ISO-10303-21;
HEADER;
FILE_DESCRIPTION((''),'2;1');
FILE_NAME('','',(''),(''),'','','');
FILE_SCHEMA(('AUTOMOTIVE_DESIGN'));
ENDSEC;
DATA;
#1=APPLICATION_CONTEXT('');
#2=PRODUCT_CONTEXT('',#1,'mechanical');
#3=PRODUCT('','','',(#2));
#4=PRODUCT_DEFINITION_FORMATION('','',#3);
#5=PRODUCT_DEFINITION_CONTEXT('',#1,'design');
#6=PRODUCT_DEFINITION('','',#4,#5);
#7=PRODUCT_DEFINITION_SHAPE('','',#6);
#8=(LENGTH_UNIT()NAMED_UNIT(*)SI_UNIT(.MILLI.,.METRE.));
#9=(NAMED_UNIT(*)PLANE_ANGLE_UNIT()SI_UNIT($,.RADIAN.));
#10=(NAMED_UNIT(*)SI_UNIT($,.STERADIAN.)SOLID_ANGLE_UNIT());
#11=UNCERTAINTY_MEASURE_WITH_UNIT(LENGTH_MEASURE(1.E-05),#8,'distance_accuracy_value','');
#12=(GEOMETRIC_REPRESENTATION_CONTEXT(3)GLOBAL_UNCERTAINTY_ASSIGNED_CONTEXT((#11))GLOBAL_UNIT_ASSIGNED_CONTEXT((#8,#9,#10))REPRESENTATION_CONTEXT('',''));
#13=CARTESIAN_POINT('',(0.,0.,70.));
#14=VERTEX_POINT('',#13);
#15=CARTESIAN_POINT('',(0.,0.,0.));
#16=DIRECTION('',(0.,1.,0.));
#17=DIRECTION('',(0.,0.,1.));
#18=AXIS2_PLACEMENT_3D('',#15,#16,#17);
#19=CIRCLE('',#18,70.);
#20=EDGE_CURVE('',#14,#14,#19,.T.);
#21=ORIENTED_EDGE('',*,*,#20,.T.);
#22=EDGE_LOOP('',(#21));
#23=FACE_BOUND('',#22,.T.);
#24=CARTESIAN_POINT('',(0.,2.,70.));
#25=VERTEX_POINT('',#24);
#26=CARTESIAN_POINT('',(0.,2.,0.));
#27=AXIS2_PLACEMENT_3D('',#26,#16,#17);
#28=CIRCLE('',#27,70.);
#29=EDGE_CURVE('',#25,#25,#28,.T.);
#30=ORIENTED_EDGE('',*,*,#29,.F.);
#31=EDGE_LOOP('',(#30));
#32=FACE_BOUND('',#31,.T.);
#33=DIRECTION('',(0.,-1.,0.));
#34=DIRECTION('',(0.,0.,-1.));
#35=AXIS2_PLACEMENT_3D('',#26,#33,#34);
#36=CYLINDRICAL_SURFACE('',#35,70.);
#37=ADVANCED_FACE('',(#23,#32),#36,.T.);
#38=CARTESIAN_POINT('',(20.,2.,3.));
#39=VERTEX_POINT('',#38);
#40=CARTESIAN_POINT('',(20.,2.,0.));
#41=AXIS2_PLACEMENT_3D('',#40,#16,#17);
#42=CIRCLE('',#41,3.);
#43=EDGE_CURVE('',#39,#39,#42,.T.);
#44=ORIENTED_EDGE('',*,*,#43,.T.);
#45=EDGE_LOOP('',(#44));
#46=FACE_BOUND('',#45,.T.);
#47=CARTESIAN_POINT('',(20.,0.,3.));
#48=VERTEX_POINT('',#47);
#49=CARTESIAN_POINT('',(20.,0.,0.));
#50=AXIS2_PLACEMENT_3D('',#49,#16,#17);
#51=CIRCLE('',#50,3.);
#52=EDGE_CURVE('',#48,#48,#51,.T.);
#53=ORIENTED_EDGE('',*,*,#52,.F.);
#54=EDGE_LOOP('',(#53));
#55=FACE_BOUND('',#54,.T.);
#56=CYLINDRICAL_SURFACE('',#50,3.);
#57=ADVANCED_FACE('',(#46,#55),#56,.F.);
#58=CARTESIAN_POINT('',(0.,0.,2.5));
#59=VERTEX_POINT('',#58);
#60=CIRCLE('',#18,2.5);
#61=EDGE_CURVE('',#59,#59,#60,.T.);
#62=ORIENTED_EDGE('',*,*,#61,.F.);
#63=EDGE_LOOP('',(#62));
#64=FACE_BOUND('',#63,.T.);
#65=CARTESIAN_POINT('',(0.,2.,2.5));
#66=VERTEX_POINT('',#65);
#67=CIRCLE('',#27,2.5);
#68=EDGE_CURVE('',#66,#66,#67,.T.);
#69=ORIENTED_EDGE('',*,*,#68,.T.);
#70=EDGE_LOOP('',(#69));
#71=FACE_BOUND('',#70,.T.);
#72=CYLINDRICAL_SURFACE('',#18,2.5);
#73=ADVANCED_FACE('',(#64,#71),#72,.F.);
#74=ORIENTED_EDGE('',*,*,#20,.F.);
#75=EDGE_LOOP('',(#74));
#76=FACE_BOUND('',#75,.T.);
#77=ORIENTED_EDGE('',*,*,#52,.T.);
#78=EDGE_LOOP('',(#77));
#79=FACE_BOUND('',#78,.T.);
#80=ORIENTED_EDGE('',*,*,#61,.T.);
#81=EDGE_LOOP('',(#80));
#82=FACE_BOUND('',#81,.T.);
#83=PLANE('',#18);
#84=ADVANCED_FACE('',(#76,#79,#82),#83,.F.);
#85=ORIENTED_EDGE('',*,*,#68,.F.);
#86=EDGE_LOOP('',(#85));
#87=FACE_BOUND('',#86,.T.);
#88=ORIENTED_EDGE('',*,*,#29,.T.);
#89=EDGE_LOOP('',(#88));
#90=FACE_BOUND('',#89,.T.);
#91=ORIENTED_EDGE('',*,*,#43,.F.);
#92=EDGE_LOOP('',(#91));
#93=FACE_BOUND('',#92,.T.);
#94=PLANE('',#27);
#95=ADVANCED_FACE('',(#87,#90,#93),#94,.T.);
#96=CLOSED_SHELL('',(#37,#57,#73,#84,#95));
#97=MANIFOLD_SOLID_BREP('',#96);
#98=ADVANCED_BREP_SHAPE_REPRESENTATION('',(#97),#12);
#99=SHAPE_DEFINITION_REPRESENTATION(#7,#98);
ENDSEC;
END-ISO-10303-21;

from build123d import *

# Parameters (mm, degrees)
SKETCH1_R           = 70
BOSS_EXTRUDE1_DEPTH = 2
SKETCH3_R           = 2.5
SKETCH3_R_2         = 3
CUT_EXTRUDE1_DEPTH  = 100.015150356


with BuildPart() as part:
    # Sketch1 → Boss-Extrude1 (new body)
    with BuildSketch(Plane(origin=(0, 0, 0), x_dir=(1, 0, 0), z_dir=(0, 1, 0))):
        Circle(SKETCH1_R)
    extrude(amount=BOSS_EXTRUDE1_DEPTH)

    # Sketch3 → Cut-Extrude1 (cut, through all)
    with BuildSketch(Plane(origin=(0, 2, 0), x_dir=(1, 0, 0), z_dir=(0, 1, 0))):
        Circle(SKETCH3_R)
        with Locations((20, 0)):
            Circle(SKETCH3_R_2)
    extrude(amount=-CUT_EXTRUDE1_DEPTH, mode=Mode.SUBTRACT)


solid = part.part
